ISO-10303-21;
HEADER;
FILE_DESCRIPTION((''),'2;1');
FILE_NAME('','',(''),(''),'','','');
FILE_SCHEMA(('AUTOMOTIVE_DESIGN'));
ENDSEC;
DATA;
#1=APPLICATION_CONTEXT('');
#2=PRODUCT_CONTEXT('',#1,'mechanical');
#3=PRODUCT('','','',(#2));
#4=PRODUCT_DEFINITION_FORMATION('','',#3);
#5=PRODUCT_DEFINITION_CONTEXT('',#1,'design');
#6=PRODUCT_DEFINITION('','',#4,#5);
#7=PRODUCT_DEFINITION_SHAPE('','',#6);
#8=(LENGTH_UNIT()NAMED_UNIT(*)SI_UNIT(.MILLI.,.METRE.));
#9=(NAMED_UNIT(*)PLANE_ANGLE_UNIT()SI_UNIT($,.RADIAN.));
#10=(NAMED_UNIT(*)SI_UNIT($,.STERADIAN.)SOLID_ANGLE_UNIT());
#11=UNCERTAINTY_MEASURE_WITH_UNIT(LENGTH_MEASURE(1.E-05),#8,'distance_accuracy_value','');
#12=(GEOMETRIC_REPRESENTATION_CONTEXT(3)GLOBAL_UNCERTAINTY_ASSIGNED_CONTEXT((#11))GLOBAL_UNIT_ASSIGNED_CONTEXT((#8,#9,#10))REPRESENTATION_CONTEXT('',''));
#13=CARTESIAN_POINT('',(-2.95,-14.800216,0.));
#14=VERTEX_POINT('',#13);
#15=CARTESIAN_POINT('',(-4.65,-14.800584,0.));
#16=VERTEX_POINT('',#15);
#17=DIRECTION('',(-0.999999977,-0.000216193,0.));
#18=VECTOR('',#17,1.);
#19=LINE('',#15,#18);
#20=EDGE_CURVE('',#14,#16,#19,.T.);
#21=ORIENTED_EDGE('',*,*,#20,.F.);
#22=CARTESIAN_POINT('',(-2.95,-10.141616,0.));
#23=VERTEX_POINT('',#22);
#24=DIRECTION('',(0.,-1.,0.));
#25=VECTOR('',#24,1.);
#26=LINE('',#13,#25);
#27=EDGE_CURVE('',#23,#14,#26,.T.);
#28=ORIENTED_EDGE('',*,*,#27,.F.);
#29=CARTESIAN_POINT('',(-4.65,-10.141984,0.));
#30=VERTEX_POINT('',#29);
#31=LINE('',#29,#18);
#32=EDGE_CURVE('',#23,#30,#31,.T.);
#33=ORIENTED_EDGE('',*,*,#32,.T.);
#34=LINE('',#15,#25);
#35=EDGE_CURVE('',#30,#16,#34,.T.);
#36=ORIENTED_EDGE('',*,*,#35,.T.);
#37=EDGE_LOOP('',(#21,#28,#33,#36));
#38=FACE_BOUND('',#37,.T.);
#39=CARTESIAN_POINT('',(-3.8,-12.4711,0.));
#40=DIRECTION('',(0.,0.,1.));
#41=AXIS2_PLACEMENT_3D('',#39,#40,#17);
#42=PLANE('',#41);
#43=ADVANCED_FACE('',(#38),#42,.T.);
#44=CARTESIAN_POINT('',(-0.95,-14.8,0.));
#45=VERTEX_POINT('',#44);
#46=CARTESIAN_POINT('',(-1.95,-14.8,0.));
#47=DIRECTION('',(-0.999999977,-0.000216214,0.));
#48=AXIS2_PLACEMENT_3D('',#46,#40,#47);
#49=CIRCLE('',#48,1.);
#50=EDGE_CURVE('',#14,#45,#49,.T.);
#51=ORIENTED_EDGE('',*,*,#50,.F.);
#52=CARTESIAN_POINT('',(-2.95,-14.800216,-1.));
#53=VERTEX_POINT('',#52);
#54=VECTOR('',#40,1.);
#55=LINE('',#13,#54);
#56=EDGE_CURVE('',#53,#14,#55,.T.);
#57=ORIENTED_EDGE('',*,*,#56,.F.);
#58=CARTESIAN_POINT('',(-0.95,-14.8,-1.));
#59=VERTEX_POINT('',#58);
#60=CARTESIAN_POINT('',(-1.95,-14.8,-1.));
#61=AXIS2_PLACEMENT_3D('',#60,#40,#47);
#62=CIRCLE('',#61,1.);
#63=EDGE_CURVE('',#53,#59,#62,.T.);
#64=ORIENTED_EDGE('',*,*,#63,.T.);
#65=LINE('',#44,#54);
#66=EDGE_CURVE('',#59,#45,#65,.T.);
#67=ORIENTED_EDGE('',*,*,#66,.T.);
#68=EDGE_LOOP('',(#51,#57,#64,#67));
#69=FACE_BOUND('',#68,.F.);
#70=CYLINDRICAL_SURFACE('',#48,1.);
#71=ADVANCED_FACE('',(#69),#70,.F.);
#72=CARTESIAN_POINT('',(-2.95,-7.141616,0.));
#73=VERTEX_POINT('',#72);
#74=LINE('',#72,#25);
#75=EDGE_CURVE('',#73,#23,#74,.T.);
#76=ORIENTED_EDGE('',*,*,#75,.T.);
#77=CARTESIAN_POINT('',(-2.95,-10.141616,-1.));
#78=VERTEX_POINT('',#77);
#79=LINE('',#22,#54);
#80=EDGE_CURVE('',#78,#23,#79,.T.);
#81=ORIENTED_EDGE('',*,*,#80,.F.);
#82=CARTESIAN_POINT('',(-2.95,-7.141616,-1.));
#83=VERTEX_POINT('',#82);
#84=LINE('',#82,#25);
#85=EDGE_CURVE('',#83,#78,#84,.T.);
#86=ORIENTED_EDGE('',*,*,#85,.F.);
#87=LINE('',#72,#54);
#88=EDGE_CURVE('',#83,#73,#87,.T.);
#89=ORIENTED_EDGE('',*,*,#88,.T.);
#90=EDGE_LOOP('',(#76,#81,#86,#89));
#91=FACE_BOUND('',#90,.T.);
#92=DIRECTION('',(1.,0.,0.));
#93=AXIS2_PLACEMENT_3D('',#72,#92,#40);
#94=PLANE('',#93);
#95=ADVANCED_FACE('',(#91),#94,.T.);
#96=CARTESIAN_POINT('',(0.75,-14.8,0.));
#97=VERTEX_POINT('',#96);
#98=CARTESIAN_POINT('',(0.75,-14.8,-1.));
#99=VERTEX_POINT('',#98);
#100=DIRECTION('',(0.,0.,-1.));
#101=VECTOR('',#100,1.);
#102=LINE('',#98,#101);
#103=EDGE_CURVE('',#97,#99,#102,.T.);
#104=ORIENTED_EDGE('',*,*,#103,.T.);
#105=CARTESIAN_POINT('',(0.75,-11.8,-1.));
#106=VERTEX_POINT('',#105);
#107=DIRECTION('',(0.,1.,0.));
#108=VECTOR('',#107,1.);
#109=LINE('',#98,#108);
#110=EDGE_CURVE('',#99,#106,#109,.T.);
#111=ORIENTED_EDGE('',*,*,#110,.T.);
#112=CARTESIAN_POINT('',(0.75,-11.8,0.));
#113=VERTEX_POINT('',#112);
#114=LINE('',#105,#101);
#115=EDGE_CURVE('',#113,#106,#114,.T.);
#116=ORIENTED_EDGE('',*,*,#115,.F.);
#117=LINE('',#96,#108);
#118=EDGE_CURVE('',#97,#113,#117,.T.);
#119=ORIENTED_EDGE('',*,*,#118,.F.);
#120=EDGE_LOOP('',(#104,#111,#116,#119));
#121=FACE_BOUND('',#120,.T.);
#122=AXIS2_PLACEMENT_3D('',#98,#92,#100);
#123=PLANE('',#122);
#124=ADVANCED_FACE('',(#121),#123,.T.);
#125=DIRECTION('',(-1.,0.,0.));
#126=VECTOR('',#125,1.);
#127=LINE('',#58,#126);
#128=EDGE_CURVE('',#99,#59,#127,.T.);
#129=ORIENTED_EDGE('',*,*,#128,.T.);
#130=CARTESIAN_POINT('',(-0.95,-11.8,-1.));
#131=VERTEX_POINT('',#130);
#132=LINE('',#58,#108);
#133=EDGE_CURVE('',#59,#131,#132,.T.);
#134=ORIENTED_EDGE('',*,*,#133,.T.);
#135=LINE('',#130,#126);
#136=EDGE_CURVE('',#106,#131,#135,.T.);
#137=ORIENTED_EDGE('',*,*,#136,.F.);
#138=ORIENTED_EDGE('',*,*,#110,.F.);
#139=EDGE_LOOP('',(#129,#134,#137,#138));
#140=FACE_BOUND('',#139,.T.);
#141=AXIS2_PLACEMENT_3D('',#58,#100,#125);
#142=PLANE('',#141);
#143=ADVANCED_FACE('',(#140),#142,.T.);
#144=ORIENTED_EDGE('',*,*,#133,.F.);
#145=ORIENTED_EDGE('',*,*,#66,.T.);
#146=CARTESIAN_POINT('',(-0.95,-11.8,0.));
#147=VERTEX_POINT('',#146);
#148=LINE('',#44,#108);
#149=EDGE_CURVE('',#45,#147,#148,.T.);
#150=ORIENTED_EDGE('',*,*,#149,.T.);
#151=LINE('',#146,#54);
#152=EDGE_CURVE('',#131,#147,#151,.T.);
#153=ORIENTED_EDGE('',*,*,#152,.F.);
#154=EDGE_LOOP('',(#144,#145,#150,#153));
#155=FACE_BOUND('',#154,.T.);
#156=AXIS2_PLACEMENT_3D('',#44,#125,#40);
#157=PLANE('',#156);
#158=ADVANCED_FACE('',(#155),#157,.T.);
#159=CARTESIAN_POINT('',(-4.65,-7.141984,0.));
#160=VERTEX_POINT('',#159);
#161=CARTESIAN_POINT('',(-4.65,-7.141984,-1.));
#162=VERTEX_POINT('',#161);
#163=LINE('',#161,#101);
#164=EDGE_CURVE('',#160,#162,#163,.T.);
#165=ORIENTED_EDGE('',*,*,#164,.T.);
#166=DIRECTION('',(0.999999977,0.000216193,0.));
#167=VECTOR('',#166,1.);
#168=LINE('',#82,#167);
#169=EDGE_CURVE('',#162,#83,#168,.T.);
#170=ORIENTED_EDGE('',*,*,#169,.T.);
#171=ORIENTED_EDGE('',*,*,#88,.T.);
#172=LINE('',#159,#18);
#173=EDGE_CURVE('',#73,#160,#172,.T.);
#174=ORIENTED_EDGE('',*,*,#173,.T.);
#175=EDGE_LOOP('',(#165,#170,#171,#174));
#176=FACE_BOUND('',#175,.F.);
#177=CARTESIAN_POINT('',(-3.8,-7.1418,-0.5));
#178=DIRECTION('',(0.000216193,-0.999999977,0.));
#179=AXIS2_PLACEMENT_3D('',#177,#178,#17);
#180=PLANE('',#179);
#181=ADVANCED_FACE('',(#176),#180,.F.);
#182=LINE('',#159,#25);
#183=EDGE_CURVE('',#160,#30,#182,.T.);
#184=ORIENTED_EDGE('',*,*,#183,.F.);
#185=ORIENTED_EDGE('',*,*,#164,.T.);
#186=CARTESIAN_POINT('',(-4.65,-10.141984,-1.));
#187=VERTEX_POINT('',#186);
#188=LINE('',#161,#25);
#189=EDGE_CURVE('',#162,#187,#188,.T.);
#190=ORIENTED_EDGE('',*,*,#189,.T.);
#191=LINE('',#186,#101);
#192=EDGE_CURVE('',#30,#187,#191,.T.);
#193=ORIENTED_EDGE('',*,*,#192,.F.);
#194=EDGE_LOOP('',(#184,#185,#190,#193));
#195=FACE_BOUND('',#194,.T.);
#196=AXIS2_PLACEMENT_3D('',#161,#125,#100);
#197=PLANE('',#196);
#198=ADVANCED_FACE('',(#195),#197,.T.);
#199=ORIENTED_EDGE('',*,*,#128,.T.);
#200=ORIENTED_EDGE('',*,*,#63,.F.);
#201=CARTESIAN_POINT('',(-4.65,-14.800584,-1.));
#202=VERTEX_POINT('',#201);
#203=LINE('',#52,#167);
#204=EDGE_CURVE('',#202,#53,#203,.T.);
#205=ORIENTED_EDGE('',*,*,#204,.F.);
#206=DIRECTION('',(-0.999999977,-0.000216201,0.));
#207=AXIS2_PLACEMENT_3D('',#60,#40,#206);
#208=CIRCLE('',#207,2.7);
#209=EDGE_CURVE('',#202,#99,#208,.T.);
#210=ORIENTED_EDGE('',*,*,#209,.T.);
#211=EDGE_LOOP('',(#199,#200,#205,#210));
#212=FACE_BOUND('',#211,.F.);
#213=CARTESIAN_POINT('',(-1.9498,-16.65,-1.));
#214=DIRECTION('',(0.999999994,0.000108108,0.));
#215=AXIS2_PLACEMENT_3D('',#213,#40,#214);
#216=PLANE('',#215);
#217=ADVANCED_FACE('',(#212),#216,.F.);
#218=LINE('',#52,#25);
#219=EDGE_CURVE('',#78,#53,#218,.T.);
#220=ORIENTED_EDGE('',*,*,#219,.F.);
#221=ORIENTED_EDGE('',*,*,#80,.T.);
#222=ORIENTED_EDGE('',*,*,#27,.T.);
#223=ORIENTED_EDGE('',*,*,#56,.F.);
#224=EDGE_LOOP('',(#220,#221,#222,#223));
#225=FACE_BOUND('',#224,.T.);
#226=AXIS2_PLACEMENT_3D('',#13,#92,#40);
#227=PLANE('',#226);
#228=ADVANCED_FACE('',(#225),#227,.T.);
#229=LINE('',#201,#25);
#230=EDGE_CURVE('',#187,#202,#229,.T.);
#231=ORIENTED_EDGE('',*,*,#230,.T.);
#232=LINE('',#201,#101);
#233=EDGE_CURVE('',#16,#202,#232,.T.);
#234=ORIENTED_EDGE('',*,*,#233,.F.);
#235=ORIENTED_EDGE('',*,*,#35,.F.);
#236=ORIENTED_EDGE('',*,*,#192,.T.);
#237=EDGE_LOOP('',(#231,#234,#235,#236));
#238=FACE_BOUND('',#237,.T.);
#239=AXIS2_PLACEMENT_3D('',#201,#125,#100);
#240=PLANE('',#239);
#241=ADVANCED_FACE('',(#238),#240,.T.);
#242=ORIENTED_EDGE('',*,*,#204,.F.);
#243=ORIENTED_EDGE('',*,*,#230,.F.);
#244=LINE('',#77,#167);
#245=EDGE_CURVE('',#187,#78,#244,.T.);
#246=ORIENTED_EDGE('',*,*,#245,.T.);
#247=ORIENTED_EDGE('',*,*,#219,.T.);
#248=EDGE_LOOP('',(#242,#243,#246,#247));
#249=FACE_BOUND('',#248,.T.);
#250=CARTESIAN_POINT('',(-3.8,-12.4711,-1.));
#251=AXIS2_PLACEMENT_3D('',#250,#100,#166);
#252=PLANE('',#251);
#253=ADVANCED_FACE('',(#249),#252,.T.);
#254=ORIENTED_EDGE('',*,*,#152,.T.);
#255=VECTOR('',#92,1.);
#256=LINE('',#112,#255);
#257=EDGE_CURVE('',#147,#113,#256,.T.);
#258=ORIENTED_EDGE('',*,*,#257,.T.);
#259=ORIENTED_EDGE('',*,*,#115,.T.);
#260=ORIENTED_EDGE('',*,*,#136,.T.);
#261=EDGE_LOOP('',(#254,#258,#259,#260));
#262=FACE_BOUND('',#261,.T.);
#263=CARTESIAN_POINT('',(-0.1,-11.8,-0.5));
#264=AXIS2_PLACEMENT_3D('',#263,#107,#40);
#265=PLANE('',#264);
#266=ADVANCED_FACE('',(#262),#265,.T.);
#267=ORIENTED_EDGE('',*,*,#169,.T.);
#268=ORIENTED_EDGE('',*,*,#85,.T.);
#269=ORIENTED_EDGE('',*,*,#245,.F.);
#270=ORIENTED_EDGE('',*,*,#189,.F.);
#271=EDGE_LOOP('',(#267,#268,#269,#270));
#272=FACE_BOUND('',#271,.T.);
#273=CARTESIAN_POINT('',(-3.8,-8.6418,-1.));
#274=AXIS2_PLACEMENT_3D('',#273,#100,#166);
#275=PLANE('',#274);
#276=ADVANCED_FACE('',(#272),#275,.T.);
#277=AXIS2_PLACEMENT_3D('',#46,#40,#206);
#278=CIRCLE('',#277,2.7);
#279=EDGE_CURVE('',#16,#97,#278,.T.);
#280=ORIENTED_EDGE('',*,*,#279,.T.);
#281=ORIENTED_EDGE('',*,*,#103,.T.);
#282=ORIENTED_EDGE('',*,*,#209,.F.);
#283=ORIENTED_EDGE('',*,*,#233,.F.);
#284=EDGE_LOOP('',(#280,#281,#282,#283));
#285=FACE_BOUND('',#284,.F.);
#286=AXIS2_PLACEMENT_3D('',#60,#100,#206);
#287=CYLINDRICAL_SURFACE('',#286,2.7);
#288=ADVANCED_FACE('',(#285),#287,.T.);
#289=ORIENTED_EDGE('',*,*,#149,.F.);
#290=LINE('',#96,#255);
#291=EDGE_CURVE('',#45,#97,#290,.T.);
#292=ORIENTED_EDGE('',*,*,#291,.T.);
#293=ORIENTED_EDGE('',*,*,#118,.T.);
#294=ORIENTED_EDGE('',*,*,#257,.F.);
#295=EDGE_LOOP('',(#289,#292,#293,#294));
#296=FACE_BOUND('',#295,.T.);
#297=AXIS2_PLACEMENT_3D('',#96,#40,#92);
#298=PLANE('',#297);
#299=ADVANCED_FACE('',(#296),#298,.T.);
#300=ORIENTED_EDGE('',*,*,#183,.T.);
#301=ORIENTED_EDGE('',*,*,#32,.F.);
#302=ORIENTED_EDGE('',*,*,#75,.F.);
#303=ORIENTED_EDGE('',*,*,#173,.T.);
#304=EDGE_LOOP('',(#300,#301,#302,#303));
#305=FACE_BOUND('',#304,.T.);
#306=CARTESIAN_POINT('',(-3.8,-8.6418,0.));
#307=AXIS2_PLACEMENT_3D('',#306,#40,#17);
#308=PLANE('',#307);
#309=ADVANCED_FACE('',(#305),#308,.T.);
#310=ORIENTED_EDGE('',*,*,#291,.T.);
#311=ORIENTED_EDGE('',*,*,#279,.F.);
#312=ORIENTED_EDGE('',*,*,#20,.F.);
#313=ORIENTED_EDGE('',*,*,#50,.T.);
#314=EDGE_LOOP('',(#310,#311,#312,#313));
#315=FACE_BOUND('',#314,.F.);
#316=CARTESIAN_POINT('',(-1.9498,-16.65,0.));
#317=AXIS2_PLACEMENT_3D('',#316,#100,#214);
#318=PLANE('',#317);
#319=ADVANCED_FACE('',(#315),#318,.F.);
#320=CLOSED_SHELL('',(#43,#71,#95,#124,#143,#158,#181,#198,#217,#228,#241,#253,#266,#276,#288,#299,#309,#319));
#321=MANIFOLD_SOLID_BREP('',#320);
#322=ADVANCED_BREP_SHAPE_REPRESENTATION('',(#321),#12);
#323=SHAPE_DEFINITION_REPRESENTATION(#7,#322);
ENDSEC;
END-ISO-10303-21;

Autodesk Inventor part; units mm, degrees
ref_plane "YZ Plane" through (0, 0, 0) normal (1, 0, 0) x (0, 1, 0)
ref_plane "XY Plane" through (0, 0, 0) normal (0, 0, 1) x (1, 0, 0)
sketch "Sketch1" plane through (0, 0, 0) normal (0, 0, 1) x (1, 0, 0)
  line L0 (0.75, 11.8) -> (0.75, -11.8) projected
  arc A0 (0.75, 11.8) -> (-0.95, 11.8) centre (-0.1, 11.8) ccw projected
  line L1 (-0.95, -11.8) -> (-0.95, 11.8) projected
  arc A1 (-0.95, -11.8) -> (0.75, -11.8) centre (-0.1, -11.8) ccw projected
  line L2 (-2.95, 12.1582) -> (-2.95, -7.1418) projected
  arc A2 (-2.95, 12.1582) -> (-4.65, 12.1582) centre (-3.8, 12.1582) ccw projected
  line L3 (-4.65, -7.1418) -> (-4.65, 12.1582) projected
  arc A3 (-4.65, -7.1418) -> (-2.95, -7.1418) centre (-3.8, -7.1418) ccw projected
  line L4 (-3.8, -7.1418) -> (-3.8, -10.1418)
  line L5 (-0.1, -14.8) -> (-0.1, -11.8)
  arc A4 (-3.8, -14.8004) -> (-0.1, -14.8) centre (-1.95, -14.8) ccw
  line L6 (-3.8, -14.8004) -> (-3.8, -10.1418)
  point P0 (0, 0)
  dimension "d0" = 3
  dimension "d1" = 3
ref_plane "Work Plane1" through (-0.1, -11.8, 0) normal (0, 1, 0) x (-1, 0, 0)
sketch "Sketch2" plane through (-0.1, -11.8, 0) normal (0, 1, 0) x (-1, 0, 0)
  line L0 (0.85, -1) -> (-0.85, -1)
  line L1 (-0.85, -1) -> (-0.85, 0)
  line L2 (-0.85, 0) -> (0.85, 0)
  line L3 (0.85, 0) -> (0.85, -1)
  line L4 (-0.85, 0) -> (0.85, 0) projected
  point P0 (-0.1, 0)
  point P1 (0, 0)
  dimension "d2" = 1.7
  dimension "d3" = 1
sweep "Sweep1" add profiles "Sketch2" path "Sketch1" path curves L5 A4 L6 L4
equation "\"d1\" = d0"
properties part number "joint"
